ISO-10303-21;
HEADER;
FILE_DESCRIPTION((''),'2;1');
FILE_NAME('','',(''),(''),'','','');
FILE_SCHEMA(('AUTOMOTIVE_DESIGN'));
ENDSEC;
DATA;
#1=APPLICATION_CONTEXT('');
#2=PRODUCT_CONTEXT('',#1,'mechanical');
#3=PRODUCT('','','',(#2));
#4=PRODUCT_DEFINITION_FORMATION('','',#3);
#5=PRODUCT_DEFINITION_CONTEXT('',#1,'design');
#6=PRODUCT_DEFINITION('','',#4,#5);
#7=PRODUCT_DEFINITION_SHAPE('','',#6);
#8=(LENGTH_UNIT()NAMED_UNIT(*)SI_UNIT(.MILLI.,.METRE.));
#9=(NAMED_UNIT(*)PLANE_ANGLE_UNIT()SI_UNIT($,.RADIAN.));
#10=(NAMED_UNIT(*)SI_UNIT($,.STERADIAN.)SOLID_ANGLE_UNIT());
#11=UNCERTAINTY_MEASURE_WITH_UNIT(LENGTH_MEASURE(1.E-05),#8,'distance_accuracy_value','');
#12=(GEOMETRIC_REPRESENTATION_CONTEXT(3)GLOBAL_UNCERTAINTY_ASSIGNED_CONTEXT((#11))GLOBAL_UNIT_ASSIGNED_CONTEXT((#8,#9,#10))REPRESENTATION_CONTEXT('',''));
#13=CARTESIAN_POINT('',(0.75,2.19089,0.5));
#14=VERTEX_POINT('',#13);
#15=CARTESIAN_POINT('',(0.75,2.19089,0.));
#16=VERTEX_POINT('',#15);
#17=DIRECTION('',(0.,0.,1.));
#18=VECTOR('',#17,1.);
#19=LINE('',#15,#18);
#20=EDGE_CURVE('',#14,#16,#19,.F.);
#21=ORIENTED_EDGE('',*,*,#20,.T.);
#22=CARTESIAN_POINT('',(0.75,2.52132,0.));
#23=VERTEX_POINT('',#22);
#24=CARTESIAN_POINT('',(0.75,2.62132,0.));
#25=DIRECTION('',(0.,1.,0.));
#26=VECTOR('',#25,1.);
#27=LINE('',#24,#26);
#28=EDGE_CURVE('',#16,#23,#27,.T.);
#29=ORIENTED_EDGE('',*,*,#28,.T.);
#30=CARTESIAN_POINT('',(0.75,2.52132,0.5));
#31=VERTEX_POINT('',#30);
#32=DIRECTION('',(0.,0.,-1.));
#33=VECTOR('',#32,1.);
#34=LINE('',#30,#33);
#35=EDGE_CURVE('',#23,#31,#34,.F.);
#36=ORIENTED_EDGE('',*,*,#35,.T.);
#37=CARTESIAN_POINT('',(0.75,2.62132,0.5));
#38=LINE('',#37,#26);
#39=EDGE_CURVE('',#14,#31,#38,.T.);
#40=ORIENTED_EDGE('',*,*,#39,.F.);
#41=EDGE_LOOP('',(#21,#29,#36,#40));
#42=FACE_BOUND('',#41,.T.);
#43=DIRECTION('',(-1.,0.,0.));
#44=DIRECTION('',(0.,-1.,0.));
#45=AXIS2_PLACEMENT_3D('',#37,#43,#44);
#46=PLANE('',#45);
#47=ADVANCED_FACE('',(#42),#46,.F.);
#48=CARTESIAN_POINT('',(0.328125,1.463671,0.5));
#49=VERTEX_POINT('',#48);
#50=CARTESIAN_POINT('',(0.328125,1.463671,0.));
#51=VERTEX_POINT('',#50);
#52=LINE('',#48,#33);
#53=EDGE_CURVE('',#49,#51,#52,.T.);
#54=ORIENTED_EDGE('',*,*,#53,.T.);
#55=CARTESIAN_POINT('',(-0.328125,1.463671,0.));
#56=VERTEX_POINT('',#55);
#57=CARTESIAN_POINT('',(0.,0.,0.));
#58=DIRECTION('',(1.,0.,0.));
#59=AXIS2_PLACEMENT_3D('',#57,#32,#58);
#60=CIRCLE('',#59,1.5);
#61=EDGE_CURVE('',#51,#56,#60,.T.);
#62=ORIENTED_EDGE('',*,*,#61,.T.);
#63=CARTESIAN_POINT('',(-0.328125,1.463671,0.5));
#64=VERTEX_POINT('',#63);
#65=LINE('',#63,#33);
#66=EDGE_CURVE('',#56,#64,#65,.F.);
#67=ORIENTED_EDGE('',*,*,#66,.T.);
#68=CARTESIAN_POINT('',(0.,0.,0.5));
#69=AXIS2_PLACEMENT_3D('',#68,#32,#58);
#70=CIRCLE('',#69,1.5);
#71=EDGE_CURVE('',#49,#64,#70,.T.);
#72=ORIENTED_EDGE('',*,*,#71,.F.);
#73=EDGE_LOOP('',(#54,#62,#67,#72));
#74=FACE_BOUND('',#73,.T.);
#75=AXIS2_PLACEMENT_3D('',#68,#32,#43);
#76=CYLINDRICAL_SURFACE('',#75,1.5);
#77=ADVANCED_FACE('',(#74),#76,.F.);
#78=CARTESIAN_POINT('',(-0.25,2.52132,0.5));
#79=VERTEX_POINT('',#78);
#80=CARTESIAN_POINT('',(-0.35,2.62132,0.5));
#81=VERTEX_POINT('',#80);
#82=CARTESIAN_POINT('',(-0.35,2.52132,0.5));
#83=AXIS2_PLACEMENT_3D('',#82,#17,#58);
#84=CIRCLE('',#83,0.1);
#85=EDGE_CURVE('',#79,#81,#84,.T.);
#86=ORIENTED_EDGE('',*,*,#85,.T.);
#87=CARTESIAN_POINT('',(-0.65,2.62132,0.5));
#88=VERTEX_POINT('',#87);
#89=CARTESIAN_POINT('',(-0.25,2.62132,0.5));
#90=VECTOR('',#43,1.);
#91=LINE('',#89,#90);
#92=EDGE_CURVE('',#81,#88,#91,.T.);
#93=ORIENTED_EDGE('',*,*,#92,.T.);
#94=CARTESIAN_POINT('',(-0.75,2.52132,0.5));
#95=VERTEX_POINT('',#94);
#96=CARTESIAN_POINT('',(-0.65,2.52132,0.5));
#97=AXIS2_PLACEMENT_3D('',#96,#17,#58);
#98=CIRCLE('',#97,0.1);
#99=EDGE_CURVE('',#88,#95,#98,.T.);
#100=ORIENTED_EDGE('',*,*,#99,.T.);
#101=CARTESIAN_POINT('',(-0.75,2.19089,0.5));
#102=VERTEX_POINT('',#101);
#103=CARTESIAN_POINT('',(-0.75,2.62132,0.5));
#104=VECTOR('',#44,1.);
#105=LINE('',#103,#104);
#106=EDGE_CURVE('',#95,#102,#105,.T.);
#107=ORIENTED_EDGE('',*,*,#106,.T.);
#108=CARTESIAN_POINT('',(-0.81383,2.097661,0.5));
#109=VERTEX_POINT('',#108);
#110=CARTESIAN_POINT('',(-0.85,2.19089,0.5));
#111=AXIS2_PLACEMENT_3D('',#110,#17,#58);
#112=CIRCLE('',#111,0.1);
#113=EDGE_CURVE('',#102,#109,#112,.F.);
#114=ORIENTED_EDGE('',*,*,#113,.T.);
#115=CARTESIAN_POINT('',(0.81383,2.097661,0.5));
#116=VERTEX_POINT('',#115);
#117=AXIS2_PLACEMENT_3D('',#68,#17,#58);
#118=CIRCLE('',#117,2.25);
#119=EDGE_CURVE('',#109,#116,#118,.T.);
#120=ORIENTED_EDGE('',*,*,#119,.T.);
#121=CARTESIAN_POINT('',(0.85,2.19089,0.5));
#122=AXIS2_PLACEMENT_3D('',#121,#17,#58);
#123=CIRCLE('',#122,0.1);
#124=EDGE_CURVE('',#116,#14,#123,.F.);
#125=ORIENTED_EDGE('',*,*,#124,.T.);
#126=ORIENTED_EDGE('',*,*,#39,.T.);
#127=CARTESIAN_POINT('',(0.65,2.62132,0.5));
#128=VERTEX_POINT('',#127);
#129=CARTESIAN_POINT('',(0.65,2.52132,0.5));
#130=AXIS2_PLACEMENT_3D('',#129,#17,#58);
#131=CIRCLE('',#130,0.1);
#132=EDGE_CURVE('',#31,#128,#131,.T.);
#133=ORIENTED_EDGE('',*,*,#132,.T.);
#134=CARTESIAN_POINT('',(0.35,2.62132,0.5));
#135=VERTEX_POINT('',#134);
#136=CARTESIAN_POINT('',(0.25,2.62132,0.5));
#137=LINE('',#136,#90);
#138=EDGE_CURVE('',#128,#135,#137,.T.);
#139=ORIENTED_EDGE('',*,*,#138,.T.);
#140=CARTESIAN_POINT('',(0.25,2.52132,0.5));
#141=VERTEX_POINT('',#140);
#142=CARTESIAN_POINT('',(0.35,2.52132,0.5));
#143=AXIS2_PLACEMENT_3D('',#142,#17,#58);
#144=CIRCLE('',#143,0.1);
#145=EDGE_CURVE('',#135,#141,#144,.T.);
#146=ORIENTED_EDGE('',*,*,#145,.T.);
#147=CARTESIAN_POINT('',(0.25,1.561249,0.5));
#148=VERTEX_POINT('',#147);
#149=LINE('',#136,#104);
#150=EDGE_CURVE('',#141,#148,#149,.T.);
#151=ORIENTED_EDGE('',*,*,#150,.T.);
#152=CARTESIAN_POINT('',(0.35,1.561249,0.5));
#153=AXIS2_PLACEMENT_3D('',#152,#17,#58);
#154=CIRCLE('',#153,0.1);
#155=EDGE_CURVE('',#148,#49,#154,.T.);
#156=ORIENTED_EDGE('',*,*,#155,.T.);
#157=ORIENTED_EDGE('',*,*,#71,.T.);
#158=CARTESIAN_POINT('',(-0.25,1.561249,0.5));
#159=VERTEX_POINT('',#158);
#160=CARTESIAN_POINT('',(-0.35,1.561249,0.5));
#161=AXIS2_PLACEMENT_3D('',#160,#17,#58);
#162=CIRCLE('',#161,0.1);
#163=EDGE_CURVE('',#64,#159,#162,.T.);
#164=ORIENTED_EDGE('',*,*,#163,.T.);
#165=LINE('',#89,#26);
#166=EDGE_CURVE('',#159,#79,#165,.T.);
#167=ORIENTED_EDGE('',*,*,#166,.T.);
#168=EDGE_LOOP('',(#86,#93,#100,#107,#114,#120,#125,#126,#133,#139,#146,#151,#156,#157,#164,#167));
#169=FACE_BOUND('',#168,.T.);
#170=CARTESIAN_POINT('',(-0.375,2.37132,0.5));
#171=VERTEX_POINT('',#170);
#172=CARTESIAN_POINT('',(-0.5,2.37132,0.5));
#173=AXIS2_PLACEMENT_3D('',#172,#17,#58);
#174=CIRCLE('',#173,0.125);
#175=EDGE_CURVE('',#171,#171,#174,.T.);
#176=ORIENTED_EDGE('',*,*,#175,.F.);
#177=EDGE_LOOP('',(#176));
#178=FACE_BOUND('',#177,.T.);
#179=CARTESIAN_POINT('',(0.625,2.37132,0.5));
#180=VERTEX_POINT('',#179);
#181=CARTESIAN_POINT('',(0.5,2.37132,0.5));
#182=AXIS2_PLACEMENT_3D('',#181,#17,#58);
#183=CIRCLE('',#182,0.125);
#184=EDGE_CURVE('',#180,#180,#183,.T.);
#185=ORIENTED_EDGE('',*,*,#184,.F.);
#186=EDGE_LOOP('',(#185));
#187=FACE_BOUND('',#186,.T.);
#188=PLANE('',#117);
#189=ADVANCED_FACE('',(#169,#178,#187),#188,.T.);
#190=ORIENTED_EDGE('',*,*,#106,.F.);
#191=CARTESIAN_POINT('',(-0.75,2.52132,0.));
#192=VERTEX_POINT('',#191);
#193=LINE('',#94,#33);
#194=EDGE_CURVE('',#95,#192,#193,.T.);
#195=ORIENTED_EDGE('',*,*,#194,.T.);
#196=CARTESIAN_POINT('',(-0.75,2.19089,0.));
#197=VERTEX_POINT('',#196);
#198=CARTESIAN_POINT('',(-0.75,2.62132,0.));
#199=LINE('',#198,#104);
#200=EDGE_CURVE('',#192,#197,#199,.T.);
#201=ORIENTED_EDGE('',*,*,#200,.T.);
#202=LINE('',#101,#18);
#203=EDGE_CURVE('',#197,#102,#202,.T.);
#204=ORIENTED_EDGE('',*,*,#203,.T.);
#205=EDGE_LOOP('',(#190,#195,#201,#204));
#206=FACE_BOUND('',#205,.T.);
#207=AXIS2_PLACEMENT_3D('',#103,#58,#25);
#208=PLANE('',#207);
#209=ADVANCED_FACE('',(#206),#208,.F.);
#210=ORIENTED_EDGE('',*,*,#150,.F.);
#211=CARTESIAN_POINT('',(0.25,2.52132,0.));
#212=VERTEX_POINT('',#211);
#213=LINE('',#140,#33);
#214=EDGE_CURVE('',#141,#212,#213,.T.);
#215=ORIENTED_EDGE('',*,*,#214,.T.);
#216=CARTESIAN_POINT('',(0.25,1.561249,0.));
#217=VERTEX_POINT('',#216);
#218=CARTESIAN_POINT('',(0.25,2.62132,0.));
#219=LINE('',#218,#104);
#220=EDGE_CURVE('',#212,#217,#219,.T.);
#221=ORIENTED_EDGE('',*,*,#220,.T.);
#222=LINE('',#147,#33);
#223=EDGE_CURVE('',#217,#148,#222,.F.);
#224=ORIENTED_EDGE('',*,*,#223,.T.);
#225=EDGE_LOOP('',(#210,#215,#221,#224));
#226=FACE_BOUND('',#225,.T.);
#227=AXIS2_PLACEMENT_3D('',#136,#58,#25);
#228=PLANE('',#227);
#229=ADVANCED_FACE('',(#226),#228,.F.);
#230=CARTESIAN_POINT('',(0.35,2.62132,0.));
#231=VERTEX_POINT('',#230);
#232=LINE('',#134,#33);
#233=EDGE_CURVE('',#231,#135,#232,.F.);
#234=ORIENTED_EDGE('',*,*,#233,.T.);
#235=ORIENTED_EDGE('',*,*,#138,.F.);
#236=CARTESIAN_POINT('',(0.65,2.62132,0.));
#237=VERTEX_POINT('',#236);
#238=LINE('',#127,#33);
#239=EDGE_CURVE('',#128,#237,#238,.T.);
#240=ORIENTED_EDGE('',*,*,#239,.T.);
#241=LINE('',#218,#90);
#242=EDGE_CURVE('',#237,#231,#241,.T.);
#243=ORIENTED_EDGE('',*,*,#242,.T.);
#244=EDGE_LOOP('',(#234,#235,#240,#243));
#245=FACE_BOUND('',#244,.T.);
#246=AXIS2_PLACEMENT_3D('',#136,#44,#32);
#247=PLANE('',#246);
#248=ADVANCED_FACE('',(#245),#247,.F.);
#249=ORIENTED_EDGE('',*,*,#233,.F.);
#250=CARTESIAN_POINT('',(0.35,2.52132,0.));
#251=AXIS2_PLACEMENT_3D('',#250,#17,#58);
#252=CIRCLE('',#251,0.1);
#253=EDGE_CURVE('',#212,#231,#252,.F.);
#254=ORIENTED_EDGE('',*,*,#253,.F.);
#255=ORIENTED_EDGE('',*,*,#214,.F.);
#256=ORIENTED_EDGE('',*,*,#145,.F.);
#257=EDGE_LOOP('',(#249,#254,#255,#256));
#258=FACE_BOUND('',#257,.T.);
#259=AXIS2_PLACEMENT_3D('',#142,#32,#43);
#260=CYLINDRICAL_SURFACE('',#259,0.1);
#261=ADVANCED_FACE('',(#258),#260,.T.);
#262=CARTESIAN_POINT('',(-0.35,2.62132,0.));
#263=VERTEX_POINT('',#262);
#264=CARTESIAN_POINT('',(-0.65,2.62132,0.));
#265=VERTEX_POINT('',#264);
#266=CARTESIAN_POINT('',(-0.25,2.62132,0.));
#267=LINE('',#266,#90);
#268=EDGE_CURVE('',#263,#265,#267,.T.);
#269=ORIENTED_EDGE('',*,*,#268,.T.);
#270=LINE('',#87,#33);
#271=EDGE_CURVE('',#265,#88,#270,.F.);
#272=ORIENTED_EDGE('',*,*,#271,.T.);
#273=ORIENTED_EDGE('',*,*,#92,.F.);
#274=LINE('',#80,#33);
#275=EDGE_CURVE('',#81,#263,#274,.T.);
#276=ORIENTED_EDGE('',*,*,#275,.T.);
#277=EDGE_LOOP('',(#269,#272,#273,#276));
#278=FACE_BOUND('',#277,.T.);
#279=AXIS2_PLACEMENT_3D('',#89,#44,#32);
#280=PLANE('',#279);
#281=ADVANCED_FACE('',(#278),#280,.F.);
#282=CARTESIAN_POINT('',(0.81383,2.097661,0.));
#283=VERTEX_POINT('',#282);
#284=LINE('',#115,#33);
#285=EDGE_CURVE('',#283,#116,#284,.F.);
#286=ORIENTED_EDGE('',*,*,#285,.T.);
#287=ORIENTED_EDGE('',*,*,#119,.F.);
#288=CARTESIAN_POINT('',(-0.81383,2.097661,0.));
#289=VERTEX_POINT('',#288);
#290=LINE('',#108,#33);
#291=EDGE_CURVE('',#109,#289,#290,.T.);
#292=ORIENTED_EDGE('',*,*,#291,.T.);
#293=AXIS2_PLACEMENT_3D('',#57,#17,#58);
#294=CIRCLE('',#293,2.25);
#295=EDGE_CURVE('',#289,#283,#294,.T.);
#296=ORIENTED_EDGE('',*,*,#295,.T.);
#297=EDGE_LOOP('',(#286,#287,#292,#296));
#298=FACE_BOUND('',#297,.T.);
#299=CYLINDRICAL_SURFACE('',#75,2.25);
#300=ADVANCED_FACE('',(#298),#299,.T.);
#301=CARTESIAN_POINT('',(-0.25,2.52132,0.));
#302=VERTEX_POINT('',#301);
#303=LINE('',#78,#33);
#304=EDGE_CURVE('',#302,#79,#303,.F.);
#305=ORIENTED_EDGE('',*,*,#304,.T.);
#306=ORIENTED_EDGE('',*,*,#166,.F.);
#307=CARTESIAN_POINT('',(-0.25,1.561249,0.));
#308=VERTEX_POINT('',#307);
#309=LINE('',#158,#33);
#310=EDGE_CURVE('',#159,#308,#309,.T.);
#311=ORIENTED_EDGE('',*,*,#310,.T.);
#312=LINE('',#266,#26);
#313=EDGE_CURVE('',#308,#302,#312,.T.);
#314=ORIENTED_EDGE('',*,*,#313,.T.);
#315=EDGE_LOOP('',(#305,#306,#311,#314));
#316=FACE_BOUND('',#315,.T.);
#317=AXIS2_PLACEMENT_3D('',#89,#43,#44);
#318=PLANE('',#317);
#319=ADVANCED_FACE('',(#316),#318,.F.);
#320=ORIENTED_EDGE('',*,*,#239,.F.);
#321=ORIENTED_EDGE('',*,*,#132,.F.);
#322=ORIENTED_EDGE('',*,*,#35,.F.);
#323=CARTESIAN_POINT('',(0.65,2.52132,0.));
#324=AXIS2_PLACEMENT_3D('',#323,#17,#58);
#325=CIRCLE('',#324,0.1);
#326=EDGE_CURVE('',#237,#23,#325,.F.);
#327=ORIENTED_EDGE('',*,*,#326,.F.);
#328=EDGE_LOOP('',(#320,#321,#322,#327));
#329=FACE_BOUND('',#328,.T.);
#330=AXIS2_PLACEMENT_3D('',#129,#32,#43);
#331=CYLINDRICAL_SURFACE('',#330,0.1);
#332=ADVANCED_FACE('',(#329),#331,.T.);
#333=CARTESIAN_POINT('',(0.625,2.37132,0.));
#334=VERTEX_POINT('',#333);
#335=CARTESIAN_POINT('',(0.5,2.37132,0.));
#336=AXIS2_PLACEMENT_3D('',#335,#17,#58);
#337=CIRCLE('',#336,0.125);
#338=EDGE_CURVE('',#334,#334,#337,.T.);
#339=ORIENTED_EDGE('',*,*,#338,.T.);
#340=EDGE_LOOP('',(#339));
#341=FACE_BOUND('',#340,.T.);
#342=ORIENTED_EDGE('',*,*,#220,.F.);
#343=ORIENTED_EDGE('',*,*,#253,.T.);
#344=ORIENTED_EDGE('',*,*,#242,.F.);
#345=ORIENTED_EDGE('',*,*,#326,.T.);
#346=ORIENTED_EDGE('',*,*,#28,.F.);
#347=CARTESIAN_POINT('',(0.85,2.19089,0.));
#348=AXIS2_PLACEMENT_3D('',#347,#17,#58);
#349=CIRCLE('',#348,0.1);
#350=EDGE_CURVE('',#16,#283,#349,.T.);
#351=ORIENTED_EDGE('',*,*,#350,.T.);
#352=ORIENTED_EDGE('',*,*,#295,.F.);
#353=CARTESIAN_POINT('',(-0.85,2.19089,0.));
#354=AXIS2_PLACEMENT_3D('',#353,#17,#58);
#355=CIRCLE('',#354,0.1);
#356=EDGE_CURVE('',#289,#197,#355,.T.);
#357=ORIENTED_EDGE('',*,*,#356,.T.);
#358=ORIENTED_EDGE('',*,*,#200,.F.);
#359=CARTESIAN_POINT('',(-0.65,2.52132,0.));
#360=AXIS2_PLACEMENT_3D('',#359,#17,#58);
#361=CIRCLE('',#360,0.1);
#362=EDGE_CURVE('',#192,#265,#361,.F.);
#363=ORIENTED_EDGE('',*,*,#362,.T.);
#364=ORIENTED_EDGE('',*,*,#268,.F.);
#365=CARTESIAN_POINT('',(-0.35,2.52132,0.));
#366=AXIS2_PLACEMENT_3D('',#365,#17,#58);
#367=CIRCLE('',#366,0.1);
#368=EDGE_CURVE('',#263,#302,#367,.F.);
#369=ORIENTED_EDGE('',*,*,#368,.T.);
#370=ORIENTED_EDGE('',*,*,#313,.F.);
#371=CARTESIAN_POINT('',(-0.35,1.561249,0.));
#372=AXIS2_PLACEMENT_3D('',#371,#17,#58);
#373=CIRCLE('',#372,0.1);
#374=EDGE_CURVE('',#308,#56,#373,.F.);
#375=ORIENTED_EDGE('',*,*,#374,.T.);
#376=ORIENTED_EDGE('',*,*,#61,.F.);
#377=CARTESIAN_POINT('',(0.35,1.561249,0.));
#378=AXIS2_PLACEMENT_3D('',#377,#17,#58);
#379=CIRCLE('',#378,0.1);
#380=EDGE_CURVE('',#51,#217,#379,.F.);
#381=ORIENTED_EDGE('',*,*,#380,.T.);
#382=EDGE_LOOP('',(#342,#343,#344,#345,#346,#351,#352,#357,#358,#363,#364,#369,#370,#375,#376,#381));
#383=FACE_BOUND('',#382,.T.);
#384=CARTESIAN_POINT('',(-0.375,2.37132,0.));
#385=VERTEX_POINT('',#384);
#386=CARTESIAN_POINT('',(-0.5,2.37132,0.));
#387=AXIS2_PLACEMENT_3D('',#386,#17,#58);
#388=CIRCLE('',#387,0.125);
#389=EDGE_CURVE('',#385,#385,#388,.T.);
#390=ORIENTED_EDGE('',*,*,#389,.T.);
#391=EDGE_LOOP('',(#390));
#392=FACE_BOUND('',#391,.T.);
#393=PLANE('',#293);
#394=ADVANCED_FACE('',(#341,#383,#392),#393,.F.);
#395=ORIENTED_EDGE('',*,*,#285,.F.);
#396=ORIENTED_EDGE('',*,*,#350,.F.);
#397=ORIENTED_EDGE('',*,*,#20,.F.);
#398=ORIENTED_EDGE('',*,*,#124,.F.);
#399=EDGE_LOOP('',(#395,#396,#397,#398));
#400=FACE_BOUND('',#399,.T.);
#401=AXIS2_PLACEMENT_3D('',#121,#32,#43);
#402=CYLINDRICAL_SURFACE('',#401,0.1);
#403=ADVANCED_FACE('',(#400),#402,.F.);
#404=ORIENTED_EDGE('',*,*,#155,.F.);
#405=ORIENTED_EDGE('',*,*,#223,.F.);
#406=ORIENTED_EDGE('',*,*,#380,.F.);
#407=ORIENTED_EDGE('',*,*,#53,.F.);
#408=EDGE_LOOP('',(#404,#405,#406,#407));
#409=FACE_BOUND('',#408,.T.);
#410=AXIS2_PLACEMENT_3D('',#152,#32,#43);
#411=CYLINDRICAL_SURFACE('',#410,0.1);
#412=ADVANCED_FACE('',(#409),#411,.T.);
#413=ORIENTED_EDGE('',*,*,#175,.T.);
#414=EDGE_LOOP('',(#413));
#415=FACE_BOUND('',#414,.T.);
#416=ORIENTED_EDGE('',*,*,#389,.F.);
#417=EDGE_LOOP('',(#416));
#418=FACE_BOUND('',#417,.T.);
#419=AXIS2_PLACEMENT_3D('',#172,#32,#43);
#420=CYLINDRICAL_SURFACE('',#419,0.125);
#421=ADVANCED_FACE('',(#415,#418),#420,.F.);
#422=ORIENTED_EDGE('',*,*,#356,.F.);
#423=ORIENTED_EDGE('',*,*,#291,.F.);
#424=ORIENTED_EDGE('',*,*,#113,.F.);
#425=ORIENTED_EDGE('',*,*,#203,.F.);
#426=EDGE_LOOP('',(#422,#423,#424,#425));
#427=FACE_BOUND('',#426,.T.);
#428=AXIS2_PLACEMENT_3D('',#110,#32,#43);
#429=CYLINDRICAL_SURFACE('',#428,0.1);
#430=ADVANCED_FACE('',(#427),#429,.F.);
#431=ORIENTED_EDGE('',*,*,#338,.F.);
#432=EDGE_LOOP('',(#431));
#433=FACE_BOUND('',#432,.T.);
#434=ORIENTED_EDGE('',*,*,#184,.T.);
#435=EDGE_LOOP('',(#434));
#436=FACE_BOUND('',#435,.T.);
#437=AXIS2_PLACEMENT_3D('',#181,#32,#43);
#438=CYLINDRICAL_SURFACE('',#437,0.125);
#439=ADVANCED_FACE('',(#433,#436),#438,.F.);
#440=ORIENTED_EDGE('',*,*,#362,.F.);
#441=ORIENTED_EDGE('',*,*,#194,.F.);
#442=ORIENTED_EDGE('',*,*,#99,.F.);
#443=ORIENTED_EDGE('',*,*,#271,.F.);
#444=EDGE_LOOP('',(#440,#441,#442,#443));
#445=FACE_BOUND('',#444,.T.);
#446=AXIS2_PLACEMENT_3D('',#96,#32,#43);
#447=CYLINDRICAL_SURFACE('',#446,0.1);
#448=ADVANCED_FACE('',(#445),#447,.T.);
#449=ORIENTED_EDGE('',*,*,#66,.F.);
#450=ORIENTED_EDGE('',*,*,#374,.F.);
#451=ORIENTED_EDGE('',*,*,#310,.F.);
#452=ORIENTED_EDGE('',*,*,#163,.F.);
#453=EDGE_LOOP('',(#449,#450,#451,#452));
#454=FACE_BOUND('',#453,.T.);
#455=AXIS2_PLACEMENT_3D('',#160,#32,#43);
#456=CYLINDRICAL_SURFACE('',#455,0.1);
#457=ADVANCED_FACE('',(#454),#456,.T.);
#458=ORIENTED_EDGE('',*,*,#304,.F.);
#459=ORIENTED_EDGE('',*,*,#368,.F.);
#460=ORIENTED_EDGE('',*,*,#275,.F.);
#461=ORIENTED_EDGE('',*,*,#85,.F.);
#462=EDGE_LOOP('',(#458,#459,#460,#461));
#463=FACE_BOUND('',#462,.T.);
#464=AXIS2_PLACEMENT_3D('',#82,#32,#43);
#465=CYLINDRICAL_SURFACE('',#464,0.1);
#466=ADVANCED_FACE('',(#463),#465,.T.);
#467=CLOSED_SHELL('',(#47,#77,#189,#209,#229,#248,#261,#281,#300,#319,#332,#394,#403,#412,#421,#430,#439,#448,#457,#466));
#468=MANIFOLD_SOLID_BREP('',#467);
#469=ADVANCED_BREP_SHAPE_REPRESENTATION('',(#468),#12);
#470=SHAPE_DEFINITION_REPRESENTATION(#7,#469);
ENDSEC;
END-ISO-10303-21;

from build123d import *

# Parameters (mm, degrees)
SKETCH1_R           = 0.125
BOSS_EXTRUDE1_DEPTH = 0.5
FILLET1_R           = 0.1


with BuildPart() as part:
    # Sketch1 → Boss-Extrude1 (new body)
    with BuildSketch(Plane.XY):
        with BuildLine():
            Line((-0.25, 2.621320344), (-0.25, 1.479019946))
            ThreePointArc((-0.25, 1.479019946), (0, -1.5), (0.25, 1.479019946))
            Line((0.25, 1.479019946), (0.25, 2.621320344))
            Line((0.25, 2.621320344), (0.75, 2.621320344))
            Line((0.75, 2.621320344), (0.75, 2.121320344))
            ThreePointArc((0.75, 2.121320344), (0, -2.25), (-0.75, 2.121320344))
            Line((-0.75, 2.121320344), (-0.75, 2.621320344))
            Line((-0.75, 2.621320344), (-0.25, 2.621320344))
        make_face()
        with Locations((-0.5, 2.371320344)):
            Circle(SKETCH1_R, mode=Mode.SUBTRACT)
        with Locations((0.5, 2.371320344)):
            Circle(SKETCH1_R, mode=Mode.SUBTRACT)
    extrude(amount=BOSS_EXTRUDE1_DEPTH)

    # Fillet1
    fillet1_edges = [part.edges().sort_by_distance(p)[0] for p in [
        (-0.25, 2.621320344, 0.25),
        (-0.25, 1.479019946, 0.25),
        (0.25, 1.479019946, 0.25),
        (0.25, 2.621320344, 0.25),
        (0.75, 2.621320344, 0.25),
        (0.75, 2.121320344, 0.25),
        (-0.75, 2.121320344, 0.25),
        (-0.75, 2.621320344, 0.25),
    ]]
    fillet(fillet1_edges, radius=FILLET1_R)


solid = part.part
